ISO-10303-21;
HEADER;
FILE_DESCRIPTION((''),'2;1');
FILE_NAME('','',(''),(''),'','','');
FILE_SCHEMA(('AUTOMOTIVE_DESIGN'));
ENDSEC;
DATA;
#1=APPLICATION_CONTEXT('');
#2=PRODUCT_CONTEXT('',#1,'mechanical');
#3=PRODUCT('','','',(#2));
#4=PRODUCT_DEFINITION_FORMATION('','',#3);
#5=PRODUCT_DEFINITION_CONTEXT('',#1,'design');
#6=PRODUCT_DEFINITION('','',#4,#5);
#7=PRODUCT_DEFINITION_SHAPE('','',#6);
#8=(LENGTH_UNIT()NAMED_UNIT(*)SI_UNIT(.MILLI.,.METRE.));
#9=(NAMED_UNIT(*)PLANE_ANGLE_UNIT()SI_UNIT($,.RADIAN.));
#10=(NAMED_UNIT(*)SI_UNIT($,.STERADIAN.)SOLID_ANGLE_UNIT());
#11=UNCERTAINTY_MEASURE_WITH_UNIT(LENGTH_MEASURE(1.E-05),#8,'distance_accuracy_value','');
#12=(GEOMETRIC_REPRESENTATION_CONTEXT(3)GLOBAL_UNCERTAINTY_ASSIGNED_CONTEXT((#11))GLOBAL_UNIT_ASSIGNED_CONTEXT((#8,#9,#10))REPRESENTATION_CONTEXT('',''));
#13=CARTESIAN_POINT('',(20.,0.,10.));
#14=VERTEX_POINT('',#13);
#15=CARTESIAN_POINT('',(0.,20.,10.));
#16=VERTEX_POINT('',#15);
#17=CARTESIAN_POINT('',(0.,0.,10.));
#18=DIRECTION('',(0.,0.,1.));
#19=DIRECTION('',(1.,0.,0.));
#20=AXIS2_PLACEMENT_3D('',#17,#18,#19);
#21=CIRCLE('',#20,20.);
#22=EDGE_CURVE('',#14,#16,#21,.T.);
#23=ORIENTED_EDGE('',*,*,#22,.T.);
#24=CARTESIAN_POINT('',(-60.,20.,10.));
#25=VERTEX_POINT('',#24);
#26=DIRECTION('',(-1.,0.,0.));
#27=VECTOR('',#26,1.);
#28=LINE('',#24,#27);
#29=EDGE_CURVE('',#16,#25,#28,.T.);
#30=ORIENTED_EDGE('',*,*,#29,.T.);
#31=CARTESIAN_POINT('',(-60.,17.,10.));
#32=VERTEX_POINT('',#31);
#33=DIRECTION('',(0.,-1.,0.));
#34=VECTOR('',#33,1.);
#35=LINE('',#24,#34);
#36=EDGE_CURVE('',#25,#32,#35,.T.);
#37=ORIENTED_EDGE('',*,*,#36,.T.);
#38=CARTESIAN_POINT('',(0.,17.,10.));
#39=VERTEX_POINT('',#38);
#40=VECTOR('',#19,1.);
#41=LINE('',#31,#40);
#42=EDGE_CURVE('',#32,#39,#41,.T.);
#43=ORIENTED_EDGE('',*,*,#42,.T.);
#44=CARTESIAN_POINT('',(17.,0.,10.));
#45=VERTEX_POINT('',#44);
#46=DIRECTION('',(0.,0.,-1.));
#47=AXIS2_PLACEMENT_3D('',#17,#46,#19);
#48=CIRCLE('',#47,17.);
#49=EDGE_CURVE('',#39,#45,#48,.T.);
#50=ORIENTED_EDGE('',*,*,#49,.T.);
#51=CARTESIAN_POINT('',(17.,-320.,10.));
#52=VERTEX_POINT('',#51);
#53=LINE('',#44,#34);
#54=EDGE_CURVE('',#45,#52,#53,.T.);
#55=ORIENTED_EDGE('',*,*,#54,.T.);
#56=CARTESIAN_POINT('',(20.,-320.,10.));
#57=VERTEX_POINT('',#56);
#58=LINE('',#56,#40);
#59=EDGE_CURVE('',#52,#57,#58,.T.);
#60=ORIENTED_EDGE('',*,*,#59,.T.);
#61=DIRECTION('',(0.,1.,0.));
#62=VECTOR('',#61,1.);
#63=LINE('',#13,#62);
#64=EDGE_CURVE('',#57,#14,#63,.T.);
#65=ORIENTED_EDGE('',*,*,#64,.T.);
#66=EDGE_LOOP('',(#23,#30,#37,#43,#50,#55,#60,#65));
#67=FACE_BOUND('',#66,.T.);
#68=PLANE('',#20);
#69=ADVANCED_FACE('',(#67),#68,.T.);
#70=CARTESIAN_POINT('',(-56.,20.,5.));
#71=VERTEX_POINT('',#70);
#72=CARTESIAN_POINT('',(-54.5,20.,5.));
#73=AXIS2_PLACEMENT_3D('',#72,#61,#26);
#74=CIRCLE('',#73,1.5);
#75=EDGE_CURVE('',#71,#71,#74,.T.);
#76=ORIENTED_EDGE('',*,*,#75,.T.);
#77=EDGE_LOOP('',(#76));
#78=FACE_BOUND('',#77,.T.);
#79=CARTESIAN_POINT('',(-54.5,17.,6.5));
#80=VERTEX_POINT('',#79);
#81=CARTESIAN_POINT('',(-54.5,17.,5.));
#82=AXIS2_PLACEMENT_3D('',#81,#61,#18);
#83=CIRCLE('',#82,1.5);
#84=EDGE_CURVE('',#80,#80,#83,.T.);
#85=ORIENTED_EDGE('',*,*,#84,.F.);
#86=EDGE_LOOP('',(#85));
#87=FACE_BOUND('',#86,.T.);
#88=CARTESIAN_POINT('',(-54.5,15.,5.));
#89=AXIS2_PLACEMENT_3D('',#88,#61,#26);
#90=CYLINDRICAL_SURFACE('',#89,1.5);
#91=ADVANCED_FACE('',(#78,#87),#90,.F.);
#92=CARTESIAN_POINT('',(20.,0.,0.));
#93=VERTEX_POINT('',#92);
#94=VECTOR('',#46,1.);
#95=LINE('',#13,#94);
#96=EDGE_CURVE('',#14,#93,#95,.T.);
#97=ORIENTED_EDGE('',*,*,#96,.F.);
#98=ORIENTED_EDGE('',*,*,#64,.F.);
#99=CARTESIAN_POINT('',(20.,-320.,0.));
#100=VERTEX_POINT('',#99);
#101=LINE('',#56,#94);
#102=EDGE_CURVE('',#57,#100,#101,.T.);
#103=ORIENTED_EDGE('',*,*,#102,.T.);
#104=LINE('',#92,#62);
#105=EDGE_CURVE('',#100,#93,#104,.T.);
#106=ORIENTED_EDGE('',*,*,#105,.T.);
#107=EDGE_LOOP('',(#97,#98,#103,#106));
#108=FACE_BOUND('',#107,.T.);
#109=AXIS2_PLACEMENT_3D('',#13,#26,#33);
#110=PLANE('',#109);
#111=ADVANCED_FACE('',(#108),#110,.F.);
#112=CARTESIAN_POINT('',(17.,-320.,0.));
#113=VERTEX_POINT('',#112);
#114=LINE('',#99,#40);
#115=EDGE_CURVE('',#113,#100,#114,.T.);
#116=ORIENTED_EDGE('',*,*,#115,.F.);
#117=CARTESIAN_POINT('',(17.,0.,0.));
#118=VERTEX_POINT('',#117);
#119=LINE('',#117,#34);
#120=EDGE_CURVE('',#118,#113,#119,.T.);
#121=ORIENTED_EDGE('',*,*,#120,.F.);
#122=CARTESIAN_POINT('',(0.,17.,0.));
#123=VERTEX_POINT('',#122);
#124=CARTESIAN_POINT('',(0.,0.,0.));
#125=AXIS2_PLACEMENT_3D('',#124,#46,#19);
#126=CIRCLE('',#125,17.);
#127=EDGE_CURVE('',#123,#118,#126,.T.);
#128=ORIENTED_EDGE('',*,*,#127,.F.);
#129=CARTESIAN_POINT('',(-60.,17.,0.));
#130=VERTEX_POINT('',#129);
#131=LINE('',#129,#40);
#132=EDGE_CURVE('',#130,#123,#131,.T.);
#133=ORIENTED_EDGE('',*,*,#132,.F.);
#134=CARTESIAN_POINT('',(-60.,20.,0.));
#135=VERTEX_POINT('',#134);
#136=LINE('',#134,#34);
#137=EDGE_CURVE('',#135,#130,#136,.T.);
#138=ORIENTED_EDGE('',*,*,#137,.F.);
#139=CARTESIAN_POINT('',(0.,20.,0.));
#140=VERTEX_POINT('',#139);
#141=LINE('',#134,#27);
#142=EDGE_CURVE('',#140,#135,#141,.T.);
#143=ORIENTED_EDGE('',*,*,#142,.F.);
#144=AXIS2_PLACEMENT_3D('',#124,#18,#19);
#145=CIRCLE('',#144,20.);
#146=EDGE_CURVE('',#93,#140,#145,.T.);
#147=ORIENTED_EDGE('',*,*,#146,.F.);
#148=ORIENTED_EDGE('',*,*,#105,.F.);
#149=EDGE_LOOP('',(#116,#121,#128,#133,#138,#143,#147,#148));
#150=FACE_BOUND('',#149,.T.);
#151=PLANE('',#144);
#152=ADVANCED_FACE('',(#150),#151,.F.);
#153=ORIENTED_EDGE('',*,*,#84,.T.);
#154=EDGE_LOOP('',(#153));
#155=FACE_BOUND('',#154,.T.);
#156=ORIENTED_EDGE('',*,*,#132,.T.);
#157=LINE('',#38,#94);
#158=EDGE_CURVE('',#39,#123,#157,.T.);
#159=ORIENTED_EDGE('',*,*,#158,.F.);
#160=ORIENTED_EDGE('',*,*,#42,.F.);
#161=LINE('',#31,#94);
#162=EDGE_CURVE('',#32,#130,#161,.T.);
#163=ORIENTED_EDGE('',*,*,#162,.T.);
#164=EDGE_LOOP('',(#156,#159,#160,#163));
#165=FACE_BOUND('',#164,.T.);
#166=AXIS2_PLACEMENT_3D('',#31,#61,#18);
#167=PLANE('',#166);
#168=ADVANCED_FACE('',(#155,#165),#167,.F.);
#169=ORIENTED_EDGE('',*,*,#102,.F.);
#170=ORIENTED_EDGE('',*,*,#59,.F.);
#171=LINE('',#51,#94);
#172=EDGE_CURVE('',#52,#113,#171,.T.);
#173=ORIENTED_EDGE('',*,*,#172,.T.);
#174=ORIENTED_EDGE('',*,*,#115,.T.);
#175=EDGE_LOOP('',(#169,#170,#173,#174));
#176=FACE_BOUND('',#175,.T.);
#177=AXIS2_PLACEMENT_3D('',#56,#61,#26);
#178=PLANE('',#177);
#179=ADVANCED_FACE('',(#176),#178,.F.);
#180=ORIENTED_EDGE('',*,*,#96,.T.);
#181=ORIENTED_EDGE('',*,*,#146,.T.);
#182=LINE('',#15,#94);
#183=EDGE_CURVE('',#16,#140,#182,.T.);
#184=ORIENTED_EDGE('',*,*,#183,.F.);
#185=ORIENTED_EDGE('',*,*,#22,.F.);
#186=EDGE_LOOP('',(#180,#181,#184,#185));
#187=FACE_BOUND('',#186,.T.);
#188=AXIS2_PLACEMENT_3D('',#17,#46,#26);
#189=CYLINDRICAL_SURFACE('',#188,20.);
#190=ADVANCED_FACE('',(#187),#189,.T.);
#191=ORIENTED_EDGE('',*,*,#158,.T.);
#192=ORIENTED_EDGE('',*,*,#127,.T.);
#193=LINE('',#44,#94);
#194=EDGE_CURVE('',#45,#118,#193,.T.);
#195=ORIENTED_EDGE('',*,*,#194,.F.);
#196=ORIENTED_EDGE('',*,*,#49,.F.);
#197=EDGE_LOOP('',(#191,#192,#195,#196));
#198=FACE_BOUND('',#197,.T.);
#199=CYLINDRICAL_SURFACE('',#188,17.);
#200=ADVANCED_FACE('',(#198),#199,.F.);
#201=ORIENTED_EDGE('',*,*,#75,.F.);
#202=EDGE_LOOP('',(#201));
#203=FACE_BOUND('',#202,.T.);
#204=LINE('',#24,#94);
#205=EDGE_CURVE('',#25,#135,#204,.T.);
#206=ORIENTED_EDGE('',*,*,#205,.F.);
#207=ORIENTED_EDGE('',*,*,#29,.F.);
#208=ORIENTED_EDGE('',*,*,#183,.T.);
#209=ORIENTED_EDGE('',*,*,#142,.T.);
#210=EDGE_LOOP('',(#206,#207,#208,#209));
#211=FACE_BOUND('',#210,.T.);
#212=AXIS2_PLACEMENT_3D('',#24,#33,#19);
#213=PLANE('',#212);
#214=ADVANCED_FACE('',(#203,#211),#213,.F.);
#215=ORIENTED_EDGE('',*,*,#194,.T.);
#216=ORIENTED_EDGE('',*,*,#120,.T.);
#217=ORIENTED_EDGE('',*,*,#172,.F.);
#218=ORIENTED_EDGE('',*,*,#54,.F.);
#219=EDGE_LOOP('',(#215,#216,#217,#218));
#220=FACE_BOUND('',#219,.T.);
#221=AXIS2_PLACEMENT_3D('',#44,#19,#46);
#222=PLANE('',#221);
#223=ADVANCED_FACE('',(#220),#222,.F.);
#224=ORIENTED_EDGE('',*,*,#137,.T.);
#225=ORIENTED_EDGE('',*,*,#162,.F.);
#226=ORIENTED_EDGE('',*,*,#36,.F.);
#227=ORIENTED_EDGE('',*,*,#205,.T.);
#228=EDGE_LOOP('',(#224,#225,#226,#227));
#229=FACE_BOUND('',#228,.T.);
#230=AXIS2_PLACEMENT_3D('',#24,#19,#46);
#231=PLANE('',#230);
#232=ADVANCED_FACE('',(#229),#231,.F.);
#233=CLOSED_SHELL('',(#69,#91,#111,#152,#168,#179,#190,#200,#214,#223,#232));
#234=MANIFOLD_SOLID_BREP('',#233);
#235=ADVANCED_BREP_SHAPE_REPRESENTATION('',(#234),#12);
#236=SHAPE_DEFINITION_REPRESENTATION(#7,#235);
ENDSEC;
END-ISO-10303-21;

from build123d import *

# Parameters (mm, degrees)
BOSS_EXTRUDE1_DEPTH = 10
SKETCH2_R           = 1.5
CUT_EXTRUDE1_DEPTH  = 5


with BuildPart() as part:
    # Sketch1 → Boss-Extrude1 (new body)
    with BuildSketch(Plane.XY):
        with BuildLine():
            Line((20, 0), (20, -320))
            Line((20, -320), (17, -320))
            Line((17, -320), (17, 0))
            ThreePointArc((17, 0), (12.02081528, 12.02081528), (0, 17))
            Line((0, 17), (-60, 17))
            Line((-60, 17), (-60, 20))
            Line((-60, 20), (0, 20))
            ThreePointArc((0, 20), (14.142135624, 14.142135624), (20, 0))
        make_face()
    extrude(amount=BOSS_EXTRUDE1_DEPTH)

    # Sketch2 → Cut-Extrude1 (cut)
    with BuildSketch(Plane(origin=(0, 20, 0), x_dir=(1, 0, 0), z_dir=(0, 1, 0))):
        with Locations(Location((-54.5, -5, 0), (0, 0, 180))):
            Circle(SKETCH2_R)
    extrude(amount=-CUT_EXTRUDE1_DEPTH, mode=Mode.SUBTRACT)


solid = part.part
